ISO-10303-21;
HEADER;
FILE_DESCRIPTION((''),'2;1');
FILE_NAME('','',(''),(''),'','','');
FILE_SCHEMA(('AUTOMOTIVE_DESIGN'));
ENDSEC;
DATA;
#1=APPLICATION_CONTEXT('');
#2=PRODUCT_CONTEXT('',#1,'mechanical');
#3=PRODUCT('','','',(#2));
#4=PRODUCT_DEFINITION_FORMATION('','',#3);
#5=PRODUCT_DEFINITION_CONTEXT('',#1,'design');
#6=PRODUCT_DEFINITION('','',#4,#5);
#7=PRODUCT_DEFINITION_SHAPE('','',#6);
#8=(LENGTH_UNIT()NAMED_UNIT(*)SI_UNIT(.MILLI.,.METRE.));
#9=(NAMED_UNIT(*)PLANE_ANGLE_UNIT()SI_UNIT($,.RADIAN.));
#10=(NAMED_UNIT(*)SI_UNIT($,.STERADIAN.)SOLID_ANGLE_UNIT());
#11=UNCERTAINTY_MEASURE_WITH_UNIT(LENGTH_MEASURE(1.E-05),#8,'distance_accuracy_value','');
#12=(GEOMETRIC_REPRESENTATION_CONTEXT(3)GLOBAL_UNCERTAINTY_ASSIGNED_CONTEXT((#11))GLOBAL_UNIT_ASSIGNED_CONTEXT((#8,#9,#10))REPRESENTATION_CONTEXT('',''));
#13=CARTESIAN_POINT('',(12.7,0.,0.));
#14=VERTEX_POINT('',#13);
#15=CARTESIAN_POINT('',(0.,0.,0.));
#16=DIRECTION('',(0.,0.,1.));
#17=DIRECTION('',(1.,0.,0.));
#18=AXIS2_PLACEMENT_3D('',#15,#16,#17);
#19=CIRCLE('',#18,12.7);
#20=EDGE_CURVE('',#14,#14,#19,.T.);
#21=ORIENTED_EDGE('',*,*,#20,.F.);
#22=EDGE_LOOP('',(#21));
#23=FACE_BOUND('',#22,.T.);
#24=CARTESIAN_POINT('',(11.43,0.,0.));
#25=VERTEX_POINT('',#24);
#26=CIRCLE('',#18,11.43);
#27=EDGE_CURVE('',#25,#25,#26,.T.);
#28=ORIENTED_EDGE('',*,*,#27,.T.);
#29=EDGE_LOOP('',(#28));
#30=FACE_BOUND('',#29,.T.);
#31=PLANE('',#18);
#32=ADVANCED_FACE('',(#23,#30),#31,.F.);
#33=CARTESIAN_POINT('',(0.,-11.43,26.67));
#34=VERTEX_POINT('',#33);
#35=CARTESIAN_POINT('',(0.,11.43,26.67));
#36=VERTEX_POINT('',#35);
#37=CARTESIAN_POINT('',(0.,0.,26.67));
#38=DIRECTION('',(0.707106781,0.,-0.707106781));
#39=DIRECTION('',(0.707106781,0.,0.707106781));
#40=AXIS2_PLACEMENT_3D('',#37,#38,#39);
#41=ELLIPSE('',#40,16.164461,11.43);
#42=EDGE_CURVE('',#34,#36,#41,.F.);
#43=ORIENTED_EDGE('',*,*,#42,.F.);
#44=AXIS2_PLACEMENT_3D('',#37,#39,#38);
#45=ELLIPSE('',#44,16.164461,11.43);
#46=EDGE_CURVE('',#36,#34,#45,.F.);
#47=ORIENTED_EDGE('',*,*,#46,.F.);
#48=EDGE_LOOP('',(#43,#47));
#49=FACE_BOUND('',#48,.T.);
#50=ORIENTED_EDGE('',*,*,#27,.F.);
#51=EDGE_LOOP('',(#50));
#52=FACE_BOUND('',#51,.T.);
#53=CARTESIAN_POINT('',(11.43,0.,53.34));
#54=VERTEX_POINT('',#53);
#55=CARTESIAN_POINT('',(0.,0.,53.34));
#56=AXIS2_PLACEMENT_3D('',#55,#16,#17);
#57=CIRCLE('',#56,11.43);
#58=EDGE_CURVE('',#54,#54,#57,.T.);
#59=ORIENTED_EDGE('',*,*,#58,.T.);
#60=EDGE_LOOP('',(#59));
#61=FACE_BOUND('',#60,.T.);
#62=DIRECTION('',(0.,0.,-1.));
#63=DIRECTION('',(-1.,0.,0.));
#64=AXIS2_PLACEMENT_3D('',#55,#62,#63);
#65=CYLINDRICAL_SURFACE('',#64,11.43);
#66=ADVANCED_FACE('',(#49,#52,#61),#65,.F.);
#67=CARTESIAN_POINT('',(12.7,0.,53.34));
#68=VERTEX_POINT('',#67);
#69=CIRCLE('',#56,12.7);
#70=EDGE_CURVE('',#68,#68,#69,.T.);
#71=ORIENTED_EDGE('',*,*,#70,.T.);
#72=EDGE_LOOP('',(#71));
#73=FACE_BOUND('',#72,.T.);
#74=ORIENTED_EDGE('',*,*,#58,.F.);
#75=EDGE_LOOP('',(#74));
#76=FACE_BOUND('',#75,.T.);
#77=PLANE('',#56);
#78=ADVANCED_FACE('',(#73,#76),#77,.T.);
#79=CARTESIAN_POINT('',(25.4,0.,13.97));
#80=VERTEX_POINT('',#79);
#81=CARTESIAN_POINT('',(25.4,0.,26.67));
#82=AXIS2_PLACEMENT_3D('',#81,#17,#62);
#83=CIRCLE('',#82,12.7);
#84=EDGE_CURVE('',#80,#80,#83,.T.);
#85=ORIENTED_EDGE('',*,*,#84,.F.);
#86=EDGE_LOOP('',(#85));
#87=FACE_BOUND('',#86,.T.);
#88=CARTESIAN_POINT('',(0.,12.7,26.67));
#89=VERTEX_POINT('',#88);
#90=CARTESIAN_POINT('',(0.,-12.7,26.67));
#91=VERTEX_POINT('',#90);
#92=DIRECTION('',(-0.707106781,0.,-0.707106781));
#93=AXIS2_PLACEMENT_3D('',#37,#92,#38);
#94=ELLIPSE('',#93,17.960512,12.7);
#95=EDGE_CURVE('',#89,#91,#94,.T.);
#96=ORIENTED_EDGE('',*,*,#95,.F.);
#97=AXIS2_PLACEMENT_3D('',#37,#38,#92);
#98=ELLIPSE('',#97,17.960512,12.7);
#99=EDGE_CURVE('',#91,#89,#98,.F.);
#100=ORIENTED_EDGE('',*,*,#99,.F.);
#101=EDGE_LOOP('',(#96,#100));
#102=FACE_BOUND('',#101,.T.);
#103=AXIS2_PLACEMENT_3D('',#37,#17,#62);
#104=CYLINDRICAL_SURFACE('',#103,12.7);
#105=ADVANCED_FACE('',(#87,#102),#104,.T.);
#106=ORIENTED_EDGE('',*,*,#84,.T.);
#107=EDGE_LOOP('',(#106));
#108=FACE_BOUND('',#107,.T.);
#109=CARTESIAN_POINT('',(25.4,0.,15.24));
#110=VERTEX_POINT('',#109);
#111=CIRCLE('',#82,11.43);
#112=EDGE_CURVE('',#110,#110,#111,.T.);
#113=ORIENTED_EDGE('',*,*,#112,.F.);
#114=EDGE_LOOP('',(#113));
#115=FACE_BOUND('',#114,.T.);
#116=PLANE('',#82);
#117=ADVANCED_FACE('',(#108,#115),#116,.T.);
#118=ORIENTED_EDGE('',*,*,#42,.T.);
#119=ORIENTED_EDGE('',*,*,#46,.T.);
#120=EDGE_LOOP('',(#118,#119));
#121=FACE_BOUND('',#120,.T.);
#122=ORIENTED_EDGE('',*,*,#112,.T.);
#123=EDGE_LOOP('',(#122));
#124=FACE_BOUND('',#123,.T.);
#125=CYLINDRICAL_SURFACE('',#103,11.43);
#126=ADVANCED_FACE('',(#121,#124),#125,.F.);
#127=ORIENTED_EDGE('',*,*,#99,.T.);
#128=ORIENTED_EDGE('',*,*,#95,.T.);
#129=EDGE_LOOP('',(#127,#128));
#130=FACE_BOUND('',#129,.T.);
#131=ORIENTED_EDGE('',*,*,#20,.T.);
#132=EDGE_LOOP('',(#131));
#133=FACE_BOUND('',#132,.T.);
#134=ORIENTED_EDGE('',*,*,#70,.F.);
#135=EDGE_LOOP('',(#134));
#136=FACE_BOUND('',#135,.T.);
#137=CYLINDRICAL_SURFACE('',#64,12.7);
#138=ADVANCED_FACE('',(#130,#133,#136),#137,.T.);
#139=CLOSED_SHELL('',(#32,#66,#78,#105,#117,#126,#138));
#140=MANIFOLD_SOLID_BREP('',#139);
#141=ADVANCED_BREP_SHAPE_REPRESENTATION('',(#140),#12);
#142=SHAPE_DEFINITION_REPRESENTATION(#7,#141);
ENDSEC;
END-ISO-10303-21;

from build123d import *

# Parameters (mm, degrees)
SKETCH2_R           = 12.7
SKETCH2_R_2         = 11.43
BOSS_EXTRUDE1_DEPTH = 53.34
SKETCH3_R           = 12.7
SKETCH3_R_2         = 11.43
BOSS_EXTRUDE2_DEPTH = 12.7
BOSS_EXTRUDE3_START = 12.7
SKETCH4_R           = 12.7
SKETCH4_R_2         = 11.43
BOSS_EXTRUDE3_DEPTH = 12.7
SKETCH5_R           = 11.43
CUT_EXTRUDE1_DEPTH  = 25.4
SKETCH6_R           = 11.43
CUT_EXTRUDE2_DEPTH  = 61.428516577


with BuildPart() as part:
    # Sketch2 → Boss-Extrude1 (new body)
    with BuildSketch(Plane.XY):
        Circle(SKETCH2_R)
        Circle(SKETCH2_R_2, mode=Mode.SUBTRACT)
    extrude(amount=BOSS_EXTRUDE1_DEPTH)

    # Sketch3 → Boss-Extrude2 (add)
    with BuildSketch(Plane(origin=(12.7, 0, 0), x_dir=(0, 0, -1), z_dir=(1, 0, 0))):
        with Locations((-26.67, 0)):
            Circle(SKETCH3_R)
        with Locations((-26.67, 0)):
            Circle(SKETCH3_R_2, mode=Mode.SUBTRACT)
    extrude(amount=-BOSS_EXTRUDE2_DEPTH)

    # Sketch4 → Boss-Extrude3 (add)
    with BuildSketch(Plane(origin=(12.7, 0, 0), x_dir=(0, 0, -1), z_dir=(1, 0, 0)).offset(BOSS_EXTRUDE3_START)):
        with Locations((-26.67, 0)):
            Circle(SKETCH4_R)
        with Locations((-26.67, 0)):
            Circle(SKETCH4_R_2, mode=Mode.SUBTRACT)
    extrude(amount=-BOSS_EXTRUDE3_DEPTH)

    # Sketch5 → Cut-Extrude1 (cut)
    with BuildSketch(Plane(origin=(25.4, 0, 0), x_dir=(0, 0, -1), z_dir=(1, 0, 0))):
        with Locations((-26.67, 0)):
            Circle(SKETCH5_R)
    extrude(amount=-CUT_EXTRUDE1_DEPTH, mode=Mode.SUBTRACT)

    # Sketch6 → Cut-Extrude2 (cut, through all)
    with BuildSketch(Plane(origin=(0, 0, 0), x_dir=(-1, 0, 0), z_dir=(0, 0, -1))):
        with Locations(Location((0, 0, 0), (0, 0, 180))):
            Circle(SKETCH6_R)
    extrude(amount=-CUT_EXTRUDE2_DEPTH, mode=Mode.SUBTRACT)


solid = part.part
